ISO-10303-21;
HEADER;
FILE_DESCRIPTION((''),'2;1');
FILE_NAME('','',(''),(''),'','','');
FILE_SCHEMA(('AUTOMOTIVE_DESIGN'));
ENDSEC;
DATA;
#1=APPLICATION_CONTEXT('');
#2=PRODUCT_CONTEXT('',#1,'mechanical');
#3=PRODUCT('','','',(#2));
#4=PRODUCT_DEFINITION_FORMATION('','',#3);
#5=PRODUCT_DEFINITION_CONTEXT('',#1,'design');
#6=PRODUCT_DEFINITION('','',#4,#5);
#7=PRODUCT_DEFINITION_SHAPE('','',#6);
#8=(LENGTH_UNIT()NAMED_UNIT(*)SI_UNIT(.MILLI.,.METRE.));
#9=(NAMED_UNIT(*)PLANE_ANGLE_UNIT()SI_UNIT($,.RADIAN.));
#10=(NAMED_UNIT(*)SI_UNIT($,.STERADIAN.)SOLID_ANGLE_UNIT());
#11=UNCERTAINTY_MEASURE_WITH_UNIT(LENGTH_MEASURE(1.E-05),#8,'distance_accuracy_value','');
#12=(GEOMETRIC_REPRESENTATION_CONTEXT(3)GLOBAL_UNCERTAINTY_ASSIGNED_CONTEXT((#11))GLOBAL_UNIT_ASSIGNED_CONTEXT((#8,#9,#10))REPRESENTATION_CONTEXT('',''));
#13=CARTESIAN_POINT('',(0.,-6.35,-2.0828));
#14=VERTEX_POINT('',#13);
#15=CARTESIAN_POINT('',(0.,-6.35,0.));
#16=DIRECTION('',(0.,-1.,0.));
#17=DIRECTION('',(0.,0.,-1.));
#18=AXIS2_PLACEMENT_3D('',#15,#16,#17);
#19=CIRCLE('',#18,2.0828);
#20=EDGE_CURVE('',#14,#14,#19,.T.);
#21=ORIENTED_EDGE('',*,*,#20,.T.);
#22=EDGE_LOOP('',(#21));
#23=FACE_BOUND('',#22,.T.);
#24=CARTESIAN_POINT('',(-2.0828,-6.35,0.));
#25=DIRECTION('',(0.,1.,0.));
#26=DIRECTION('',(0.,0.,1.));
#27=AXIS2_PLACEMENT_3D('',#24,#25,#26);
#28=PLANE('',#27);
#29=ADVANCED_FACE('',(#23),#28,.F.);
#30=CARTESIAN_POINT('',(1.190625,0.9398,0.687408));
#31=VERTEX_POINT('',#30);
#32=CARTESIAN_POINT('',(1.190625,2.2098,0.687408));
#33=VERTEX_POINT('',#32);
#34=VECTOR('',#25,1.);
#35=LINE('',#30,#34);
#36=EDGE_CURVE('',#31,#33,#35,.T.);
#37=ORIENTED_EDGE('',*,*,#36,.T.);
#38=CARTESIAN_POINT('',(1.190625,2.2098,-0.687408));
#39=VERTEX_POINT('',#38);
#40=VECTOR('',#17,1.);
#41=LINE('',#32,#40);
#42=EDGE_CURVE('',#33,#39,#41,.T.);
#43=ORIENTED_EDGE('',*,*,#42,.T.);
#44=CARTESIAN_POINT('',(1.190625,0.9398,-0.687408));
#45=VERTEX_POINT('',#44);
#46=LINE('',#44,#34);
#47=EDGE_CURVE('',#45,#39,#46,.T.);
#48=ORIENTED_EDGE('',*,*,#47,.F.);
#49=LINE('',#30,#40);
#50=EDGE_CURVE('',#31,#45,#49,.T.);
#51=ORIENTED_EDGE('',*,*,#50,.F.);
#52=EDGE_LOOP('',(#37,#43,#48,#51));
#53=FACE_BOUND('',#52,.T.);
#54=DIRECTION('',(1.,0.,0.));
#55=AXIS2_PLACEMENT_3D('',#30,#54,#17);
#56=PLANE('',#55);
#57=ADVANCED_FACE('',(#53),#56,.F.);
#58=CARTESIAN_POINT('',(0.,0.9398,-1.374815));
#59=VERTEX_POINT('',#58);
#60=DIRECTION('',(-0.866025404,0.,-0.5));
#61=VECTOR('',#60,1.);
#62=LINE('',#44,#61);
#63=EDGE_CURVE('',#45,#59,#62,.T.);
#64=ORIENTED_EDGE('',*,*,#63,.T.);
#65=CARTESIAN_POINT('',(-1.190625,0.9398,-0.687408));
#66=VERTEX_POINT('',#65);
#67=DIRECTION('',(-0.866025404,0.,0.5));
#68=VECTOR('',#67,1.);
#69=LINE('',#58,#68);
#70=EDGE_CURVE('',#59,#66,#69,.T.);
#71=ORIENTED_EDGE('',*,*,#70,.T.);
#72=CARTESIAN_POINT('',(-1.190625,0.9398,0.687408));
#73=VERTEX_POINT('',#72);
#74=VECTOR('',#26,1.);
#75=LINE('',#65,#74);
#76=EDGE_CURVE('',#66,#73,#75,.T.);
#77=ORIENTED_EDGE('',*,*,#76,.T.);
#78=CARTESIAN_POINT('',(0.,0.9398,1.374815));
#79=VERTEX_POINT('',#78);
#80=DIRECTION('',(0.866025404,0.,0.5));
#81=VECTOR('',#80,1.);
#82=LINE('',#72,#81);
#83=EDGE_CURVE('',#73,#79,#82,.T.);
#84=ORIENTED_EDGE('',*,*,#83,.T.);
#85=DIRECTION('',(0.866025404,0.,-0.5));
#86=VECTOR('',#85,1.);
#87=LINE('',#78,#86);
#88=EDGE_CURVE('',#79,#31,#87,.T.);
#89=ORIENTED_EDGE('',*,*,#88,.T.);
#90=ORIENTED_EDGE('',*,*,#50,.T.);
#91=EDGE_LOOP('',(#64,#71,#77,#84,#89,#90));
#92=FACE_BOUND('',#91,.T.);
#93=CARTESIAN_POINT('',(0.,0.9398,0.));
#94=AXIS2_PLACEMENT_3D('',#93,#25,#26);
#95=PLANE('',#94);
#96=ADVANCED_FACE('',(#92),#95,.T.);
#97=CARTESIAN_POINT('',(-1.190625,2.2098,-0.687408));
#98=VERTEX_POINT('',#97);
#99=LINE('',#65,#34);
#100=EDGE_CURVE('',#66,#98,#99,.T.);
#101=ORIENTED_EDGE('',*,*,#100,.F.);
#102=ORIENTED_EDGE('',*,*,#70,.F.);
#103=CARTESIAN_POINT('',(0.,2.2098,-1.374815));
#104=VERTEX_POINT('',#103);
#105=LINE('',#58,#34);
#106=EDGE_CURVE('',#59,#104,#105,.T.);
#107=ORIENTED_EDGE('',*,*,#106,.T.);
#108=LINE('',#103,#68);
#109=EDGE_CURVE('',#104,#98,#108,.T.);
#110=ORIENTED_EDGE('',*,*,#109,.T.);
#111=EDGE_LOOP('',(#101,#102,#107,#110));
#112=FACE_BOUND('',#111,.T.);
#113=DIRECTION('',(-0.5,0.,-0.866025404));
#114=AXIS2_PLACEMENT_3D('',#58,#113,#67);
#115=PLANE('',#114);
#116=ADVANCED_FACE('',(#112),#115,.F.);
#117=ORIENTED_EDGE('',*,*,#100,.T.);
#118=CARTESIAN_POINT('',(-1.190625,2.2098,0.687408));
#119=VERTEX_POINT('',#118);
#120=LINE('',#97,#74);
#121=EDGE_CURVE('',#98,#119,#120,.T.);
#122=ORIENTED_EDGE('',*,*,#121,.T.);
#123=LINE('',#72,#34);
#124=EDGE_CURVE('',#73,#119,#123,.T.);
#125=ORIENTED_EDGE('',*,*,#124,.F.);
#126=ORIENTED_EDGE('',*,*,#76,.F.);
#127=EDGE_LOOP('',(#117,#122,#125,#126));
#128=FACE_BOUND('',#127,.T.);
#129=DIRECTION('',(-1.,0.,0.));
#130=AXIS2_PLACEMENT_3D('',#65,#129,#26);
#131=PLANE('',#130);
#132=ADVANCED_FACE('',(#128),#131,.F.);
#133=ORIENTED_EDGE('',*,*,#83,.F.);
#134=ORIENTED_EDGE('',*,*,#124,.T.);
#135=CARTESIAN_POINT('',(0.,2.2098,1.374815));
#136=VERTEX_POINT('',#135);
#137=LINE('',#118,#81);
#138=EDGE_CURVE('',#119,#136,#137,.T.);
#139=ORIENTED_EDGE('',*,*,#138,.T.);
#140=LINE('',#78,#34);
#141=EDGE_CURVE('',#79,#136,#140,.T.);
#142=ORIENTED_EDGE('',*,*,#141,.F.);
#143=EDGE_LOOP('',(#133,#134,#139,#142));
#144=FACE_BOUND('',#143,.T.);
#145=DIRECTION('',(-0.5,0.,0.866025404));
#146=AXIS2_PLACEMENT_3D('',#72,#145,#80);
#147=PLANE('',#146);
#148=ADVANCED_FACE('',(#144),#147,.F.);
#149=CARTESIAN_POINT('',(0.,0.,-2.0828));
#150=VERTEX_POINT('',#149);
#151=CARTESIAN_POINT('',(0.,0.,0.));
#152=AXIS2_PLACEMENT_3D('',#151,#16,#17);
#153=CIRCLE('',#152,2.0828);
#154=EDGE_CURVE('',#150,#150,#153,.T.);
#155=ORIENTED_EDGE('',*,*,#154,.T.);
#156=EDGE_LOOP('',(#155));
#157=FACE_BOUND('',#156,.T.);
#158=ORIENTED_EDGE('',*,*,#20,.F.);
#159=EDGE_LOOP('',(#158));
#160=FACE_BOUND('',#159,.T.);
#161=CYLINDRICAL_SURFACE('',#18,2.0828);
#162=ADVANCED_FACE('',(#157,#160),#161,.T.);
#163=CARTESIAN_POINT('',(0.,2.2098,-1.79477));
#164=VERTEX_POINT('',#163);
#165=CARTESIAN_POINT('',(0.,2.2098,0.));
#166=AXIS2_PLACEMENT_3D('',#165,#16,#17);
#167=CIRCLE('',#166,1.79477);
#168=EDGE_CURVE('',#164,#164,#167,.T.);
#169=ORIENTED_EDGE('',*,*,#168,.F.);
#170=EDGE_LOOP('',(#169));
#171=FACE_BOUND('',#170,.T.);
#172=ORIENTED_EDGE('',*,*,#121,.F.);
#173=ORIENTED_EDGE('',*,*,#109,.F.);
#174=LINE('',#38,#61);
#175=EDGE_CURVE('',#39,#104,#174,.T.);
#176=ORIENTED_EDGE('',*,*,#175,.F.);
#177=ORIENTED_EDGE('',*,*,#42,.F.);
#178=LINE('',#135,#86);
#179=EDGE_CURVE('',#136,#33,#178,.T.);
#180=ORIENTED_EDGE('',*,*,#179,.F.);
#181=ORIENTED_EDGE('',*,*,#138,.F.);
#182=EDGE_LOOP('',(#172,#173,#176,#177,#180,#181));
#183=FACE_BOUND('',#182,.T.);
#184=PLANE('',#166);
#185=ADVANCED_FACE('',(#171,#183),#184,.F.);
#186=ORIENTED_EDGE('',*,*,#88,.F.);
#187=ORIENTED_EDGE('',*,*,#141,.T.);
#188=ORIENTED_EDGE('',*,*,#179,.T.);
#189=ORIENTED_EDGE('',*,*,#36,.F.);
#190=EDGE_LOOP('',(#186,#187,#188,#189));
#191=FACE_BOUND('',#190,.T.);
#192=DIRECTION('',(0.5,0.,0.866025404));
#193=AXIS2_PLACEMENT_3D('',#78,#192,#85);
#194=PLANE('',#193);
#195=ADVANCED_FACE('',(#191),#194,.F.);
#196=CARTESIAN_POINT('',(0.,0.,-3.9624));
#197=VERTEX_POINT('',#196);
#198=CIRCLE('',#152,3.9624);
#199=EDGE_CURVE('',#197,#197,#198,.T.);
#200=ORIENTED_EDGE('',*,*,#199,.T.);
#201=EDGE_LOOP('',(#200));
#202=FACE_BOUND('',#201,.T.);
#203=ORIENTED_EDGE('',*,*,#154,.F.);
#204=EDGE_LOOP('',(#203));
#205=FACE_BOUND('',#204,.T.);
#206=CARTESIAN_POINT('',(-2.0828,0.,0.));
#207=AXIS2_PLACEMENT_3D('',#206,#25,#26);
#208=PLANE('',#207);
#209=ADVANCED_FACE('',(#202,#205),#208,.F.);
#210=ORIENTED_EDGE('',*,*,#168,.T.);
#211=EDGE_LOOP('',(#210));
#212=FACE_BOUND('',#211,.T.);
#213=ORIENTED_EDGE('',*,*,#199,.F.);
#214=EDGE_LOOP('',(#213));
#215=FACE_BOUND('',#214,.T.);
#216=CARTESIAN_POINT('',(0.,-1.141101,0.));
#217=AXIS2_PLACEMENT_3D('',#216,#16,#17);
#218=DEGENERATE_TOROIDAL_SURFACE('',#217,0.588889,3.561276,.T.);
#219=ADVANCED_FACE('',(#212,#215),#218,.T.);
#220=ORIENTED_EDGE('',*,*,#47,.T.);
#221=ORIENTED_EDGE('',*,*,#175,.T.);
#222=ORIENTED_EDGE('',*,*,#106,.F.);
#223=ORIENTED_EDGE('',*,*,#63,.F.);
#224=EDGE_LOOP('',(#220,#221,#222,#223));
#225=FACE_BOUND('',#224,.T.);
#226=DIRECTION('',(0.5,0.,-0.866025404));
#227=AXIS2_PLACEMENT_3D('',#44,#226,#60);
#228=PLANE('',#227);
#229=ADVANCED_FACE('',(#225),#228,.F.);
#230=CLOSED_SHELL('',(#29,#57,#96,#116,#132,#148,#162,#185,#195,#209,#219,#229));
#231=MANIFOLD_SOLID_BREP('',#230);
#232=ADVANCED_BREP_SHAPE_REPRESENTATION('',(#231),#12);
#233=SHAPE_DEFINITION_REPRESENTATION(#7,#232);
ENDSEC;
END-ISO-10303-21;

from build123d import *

# Parameters (mm, degrees)
CUT_EXTRUDE1_DEPTH = 1.27


with BuildPart() as part:
    # Sketch1 → Revolve1 (revolve)
    with BuildSketch(Plane.XY):
        with BuildLine():
            Line((-2.0828, 0), (-3.9624, 0))
            ThreePointArc((-3.9624, 0), (-3.131232795, 1.352726455), (-1.79477003, 2.2098))
            Line((-1.79477003, 2.2098), (0, 2.2098))
            Line((0, 2.2098), (0, -6.35))
            Line((0, -6.35), (-2.0828, -6.35))
            Line((-2.0828, -6.35), (-2.0828, 0))
        make_face()
    revolve(axis=Axis((0, -6.35, 0), (0, 1, 0)))

    # Sketch2 → Cut-Extrude1 (cut)
    with BuildSketch(Plane(origin=(0, 2.2098, 0), x_dir=(1, 0, 0), z_dir=(0, 1, 0))):
        Polygon((-1.190625, 0.687407664), (-1.190625, -0.687407664), (0, -1.374815329), (1.190625, -0.687407664), (1.190625, 0.687407664), (0, 1.374815329), align=None)
    extrude(amount=-CUT_EXTRUDE1_DEPTH, mode=Mode.SUBTRACT)


solid = part.part
